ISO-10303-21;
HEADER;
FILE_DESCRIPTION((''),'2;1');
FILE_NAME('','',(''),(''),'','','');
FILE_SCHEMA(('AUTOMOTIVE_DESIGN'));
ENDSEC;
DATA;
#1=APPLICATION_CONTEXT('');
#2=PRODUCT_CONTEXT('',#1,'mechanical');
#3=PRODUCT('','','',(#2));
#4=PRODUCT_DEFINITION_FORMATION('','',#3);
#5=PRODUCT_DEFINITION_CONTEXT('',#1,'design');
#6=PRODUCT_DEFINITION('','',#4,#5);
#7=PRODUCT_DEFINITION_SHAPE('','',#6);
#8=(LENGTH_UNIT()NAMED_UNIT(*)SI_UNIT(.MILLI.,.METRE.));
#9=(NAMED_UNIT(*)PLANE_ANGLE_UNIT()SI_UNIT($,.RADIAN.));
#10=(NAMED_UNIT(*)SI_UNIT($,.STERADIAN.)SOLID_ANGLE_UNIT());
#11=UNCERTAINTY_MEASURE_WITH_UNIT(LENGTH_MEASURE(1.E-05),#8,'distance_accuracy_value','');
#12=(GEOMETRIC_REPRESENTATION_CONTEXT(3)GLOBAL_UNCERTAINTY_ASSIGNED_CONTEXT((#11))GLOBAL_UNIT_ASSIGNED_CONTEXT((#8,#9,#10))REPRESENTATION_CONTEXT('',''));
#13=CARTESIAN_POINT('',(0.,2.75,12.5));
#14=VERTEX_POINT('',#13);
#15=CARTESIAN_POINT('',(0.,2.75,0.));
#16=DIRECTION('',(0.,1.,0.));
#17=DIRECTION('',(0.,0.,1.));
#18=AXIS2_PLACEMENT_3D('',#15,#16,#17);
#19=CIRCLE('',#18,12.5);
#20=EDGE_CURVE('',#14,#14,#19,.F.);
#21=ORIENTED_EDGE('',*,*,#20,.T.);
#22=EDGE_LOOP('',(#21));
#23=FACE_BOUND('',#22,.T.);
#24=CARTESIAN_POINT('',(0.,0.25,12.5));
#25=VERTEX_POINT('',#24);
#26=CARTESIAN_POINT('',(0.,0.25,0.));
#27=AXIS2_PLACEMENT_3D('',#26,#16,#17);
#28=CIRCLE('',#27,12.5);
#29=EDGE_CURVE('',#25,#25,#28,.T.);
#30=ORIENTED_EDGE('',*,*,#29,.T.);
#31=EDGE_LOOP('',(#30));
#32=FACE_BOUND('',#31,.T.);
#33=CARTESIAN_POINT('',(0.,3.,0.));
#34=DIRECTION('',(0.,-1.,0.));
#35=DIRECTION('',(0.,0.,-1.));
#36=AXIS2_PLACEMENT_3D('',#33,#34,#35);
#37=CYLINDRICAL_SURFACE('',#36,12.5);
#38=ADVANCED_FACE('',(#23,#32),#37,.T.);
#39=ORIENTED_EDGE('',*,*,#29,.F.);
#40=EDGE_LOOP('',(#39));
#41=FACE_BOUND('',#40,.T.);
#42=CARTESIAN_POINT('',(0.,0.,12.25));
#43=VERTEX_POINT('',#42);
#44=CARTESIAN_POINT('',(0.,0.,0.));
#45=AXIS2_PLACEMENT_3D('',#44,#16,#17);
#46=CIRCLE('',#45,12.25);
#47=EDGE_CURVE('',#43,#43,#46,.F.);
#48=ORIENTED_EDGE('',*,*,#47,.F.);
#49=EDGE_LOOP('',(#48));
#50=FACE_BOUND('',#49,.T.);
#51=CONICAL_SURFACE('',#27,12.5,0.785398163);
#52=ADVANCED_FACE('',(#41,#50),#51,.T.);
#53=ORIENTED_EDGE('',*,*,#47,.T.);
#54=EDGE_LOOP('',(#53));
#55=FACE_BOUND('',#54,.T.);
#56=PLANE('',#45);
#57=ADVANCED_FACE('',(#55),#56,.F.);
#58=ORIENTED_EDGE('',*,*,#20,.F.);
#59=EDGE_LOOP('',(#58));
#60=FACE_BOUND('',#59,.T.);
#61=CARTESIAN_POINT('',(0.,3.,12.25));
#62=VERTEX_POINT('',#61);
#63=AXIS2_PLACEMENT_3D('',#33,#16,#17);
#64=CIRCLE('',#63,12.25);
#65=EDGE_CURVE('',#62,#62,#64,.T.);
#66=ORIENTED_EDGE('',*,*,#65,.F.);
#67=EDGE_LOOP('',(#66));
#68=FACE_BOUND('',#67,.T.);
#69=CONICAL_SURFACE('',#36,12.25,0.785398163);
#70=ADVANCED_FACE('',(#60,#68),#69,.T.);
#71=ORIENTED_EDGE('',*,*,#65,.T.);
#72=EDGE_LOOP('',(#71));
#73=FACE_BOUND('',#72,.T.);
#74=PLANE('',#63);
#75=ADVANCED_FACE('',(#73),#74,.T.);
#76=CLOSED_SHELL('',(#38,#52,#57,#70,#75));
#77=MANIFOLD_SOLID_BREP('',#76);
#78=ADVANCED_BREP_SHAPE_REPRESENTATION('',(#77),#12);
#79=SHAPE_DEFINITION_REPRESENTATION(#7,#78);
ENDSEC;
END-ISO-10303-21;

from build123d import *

# Parameters (mm, degrees)
SKETCH1_R           = 12.5
BOSS_EXTRUDE1_DEPTH = 3
CHAMFER1_SIZE       = 0.25


with BuildPart() as part:
    # Sketch1 → Boss-Extrude1 (new body)
    with BuildSketch(Plane(origin=(0, 0, 0), x_dir=(1, 0, 0), z_dir=(0, 1, 0))):
        with Locations(Location((0, 0, 0), (0, 0, 270))):
            Circle(SKETCH1_R)
    extrude(amount=BOSS_EXTRUDE1_DEPTH)

    # Chamfer1
    chamfer1_edges = [part.edges().sort_by_distance(p)[0] for p in [
        (0, 0, -12.5),
        (0, 3, -12.5),
    ]]
    chamfer(chamfer1_edges, length=CHAMFER1_SIZE)


solid = part.part
